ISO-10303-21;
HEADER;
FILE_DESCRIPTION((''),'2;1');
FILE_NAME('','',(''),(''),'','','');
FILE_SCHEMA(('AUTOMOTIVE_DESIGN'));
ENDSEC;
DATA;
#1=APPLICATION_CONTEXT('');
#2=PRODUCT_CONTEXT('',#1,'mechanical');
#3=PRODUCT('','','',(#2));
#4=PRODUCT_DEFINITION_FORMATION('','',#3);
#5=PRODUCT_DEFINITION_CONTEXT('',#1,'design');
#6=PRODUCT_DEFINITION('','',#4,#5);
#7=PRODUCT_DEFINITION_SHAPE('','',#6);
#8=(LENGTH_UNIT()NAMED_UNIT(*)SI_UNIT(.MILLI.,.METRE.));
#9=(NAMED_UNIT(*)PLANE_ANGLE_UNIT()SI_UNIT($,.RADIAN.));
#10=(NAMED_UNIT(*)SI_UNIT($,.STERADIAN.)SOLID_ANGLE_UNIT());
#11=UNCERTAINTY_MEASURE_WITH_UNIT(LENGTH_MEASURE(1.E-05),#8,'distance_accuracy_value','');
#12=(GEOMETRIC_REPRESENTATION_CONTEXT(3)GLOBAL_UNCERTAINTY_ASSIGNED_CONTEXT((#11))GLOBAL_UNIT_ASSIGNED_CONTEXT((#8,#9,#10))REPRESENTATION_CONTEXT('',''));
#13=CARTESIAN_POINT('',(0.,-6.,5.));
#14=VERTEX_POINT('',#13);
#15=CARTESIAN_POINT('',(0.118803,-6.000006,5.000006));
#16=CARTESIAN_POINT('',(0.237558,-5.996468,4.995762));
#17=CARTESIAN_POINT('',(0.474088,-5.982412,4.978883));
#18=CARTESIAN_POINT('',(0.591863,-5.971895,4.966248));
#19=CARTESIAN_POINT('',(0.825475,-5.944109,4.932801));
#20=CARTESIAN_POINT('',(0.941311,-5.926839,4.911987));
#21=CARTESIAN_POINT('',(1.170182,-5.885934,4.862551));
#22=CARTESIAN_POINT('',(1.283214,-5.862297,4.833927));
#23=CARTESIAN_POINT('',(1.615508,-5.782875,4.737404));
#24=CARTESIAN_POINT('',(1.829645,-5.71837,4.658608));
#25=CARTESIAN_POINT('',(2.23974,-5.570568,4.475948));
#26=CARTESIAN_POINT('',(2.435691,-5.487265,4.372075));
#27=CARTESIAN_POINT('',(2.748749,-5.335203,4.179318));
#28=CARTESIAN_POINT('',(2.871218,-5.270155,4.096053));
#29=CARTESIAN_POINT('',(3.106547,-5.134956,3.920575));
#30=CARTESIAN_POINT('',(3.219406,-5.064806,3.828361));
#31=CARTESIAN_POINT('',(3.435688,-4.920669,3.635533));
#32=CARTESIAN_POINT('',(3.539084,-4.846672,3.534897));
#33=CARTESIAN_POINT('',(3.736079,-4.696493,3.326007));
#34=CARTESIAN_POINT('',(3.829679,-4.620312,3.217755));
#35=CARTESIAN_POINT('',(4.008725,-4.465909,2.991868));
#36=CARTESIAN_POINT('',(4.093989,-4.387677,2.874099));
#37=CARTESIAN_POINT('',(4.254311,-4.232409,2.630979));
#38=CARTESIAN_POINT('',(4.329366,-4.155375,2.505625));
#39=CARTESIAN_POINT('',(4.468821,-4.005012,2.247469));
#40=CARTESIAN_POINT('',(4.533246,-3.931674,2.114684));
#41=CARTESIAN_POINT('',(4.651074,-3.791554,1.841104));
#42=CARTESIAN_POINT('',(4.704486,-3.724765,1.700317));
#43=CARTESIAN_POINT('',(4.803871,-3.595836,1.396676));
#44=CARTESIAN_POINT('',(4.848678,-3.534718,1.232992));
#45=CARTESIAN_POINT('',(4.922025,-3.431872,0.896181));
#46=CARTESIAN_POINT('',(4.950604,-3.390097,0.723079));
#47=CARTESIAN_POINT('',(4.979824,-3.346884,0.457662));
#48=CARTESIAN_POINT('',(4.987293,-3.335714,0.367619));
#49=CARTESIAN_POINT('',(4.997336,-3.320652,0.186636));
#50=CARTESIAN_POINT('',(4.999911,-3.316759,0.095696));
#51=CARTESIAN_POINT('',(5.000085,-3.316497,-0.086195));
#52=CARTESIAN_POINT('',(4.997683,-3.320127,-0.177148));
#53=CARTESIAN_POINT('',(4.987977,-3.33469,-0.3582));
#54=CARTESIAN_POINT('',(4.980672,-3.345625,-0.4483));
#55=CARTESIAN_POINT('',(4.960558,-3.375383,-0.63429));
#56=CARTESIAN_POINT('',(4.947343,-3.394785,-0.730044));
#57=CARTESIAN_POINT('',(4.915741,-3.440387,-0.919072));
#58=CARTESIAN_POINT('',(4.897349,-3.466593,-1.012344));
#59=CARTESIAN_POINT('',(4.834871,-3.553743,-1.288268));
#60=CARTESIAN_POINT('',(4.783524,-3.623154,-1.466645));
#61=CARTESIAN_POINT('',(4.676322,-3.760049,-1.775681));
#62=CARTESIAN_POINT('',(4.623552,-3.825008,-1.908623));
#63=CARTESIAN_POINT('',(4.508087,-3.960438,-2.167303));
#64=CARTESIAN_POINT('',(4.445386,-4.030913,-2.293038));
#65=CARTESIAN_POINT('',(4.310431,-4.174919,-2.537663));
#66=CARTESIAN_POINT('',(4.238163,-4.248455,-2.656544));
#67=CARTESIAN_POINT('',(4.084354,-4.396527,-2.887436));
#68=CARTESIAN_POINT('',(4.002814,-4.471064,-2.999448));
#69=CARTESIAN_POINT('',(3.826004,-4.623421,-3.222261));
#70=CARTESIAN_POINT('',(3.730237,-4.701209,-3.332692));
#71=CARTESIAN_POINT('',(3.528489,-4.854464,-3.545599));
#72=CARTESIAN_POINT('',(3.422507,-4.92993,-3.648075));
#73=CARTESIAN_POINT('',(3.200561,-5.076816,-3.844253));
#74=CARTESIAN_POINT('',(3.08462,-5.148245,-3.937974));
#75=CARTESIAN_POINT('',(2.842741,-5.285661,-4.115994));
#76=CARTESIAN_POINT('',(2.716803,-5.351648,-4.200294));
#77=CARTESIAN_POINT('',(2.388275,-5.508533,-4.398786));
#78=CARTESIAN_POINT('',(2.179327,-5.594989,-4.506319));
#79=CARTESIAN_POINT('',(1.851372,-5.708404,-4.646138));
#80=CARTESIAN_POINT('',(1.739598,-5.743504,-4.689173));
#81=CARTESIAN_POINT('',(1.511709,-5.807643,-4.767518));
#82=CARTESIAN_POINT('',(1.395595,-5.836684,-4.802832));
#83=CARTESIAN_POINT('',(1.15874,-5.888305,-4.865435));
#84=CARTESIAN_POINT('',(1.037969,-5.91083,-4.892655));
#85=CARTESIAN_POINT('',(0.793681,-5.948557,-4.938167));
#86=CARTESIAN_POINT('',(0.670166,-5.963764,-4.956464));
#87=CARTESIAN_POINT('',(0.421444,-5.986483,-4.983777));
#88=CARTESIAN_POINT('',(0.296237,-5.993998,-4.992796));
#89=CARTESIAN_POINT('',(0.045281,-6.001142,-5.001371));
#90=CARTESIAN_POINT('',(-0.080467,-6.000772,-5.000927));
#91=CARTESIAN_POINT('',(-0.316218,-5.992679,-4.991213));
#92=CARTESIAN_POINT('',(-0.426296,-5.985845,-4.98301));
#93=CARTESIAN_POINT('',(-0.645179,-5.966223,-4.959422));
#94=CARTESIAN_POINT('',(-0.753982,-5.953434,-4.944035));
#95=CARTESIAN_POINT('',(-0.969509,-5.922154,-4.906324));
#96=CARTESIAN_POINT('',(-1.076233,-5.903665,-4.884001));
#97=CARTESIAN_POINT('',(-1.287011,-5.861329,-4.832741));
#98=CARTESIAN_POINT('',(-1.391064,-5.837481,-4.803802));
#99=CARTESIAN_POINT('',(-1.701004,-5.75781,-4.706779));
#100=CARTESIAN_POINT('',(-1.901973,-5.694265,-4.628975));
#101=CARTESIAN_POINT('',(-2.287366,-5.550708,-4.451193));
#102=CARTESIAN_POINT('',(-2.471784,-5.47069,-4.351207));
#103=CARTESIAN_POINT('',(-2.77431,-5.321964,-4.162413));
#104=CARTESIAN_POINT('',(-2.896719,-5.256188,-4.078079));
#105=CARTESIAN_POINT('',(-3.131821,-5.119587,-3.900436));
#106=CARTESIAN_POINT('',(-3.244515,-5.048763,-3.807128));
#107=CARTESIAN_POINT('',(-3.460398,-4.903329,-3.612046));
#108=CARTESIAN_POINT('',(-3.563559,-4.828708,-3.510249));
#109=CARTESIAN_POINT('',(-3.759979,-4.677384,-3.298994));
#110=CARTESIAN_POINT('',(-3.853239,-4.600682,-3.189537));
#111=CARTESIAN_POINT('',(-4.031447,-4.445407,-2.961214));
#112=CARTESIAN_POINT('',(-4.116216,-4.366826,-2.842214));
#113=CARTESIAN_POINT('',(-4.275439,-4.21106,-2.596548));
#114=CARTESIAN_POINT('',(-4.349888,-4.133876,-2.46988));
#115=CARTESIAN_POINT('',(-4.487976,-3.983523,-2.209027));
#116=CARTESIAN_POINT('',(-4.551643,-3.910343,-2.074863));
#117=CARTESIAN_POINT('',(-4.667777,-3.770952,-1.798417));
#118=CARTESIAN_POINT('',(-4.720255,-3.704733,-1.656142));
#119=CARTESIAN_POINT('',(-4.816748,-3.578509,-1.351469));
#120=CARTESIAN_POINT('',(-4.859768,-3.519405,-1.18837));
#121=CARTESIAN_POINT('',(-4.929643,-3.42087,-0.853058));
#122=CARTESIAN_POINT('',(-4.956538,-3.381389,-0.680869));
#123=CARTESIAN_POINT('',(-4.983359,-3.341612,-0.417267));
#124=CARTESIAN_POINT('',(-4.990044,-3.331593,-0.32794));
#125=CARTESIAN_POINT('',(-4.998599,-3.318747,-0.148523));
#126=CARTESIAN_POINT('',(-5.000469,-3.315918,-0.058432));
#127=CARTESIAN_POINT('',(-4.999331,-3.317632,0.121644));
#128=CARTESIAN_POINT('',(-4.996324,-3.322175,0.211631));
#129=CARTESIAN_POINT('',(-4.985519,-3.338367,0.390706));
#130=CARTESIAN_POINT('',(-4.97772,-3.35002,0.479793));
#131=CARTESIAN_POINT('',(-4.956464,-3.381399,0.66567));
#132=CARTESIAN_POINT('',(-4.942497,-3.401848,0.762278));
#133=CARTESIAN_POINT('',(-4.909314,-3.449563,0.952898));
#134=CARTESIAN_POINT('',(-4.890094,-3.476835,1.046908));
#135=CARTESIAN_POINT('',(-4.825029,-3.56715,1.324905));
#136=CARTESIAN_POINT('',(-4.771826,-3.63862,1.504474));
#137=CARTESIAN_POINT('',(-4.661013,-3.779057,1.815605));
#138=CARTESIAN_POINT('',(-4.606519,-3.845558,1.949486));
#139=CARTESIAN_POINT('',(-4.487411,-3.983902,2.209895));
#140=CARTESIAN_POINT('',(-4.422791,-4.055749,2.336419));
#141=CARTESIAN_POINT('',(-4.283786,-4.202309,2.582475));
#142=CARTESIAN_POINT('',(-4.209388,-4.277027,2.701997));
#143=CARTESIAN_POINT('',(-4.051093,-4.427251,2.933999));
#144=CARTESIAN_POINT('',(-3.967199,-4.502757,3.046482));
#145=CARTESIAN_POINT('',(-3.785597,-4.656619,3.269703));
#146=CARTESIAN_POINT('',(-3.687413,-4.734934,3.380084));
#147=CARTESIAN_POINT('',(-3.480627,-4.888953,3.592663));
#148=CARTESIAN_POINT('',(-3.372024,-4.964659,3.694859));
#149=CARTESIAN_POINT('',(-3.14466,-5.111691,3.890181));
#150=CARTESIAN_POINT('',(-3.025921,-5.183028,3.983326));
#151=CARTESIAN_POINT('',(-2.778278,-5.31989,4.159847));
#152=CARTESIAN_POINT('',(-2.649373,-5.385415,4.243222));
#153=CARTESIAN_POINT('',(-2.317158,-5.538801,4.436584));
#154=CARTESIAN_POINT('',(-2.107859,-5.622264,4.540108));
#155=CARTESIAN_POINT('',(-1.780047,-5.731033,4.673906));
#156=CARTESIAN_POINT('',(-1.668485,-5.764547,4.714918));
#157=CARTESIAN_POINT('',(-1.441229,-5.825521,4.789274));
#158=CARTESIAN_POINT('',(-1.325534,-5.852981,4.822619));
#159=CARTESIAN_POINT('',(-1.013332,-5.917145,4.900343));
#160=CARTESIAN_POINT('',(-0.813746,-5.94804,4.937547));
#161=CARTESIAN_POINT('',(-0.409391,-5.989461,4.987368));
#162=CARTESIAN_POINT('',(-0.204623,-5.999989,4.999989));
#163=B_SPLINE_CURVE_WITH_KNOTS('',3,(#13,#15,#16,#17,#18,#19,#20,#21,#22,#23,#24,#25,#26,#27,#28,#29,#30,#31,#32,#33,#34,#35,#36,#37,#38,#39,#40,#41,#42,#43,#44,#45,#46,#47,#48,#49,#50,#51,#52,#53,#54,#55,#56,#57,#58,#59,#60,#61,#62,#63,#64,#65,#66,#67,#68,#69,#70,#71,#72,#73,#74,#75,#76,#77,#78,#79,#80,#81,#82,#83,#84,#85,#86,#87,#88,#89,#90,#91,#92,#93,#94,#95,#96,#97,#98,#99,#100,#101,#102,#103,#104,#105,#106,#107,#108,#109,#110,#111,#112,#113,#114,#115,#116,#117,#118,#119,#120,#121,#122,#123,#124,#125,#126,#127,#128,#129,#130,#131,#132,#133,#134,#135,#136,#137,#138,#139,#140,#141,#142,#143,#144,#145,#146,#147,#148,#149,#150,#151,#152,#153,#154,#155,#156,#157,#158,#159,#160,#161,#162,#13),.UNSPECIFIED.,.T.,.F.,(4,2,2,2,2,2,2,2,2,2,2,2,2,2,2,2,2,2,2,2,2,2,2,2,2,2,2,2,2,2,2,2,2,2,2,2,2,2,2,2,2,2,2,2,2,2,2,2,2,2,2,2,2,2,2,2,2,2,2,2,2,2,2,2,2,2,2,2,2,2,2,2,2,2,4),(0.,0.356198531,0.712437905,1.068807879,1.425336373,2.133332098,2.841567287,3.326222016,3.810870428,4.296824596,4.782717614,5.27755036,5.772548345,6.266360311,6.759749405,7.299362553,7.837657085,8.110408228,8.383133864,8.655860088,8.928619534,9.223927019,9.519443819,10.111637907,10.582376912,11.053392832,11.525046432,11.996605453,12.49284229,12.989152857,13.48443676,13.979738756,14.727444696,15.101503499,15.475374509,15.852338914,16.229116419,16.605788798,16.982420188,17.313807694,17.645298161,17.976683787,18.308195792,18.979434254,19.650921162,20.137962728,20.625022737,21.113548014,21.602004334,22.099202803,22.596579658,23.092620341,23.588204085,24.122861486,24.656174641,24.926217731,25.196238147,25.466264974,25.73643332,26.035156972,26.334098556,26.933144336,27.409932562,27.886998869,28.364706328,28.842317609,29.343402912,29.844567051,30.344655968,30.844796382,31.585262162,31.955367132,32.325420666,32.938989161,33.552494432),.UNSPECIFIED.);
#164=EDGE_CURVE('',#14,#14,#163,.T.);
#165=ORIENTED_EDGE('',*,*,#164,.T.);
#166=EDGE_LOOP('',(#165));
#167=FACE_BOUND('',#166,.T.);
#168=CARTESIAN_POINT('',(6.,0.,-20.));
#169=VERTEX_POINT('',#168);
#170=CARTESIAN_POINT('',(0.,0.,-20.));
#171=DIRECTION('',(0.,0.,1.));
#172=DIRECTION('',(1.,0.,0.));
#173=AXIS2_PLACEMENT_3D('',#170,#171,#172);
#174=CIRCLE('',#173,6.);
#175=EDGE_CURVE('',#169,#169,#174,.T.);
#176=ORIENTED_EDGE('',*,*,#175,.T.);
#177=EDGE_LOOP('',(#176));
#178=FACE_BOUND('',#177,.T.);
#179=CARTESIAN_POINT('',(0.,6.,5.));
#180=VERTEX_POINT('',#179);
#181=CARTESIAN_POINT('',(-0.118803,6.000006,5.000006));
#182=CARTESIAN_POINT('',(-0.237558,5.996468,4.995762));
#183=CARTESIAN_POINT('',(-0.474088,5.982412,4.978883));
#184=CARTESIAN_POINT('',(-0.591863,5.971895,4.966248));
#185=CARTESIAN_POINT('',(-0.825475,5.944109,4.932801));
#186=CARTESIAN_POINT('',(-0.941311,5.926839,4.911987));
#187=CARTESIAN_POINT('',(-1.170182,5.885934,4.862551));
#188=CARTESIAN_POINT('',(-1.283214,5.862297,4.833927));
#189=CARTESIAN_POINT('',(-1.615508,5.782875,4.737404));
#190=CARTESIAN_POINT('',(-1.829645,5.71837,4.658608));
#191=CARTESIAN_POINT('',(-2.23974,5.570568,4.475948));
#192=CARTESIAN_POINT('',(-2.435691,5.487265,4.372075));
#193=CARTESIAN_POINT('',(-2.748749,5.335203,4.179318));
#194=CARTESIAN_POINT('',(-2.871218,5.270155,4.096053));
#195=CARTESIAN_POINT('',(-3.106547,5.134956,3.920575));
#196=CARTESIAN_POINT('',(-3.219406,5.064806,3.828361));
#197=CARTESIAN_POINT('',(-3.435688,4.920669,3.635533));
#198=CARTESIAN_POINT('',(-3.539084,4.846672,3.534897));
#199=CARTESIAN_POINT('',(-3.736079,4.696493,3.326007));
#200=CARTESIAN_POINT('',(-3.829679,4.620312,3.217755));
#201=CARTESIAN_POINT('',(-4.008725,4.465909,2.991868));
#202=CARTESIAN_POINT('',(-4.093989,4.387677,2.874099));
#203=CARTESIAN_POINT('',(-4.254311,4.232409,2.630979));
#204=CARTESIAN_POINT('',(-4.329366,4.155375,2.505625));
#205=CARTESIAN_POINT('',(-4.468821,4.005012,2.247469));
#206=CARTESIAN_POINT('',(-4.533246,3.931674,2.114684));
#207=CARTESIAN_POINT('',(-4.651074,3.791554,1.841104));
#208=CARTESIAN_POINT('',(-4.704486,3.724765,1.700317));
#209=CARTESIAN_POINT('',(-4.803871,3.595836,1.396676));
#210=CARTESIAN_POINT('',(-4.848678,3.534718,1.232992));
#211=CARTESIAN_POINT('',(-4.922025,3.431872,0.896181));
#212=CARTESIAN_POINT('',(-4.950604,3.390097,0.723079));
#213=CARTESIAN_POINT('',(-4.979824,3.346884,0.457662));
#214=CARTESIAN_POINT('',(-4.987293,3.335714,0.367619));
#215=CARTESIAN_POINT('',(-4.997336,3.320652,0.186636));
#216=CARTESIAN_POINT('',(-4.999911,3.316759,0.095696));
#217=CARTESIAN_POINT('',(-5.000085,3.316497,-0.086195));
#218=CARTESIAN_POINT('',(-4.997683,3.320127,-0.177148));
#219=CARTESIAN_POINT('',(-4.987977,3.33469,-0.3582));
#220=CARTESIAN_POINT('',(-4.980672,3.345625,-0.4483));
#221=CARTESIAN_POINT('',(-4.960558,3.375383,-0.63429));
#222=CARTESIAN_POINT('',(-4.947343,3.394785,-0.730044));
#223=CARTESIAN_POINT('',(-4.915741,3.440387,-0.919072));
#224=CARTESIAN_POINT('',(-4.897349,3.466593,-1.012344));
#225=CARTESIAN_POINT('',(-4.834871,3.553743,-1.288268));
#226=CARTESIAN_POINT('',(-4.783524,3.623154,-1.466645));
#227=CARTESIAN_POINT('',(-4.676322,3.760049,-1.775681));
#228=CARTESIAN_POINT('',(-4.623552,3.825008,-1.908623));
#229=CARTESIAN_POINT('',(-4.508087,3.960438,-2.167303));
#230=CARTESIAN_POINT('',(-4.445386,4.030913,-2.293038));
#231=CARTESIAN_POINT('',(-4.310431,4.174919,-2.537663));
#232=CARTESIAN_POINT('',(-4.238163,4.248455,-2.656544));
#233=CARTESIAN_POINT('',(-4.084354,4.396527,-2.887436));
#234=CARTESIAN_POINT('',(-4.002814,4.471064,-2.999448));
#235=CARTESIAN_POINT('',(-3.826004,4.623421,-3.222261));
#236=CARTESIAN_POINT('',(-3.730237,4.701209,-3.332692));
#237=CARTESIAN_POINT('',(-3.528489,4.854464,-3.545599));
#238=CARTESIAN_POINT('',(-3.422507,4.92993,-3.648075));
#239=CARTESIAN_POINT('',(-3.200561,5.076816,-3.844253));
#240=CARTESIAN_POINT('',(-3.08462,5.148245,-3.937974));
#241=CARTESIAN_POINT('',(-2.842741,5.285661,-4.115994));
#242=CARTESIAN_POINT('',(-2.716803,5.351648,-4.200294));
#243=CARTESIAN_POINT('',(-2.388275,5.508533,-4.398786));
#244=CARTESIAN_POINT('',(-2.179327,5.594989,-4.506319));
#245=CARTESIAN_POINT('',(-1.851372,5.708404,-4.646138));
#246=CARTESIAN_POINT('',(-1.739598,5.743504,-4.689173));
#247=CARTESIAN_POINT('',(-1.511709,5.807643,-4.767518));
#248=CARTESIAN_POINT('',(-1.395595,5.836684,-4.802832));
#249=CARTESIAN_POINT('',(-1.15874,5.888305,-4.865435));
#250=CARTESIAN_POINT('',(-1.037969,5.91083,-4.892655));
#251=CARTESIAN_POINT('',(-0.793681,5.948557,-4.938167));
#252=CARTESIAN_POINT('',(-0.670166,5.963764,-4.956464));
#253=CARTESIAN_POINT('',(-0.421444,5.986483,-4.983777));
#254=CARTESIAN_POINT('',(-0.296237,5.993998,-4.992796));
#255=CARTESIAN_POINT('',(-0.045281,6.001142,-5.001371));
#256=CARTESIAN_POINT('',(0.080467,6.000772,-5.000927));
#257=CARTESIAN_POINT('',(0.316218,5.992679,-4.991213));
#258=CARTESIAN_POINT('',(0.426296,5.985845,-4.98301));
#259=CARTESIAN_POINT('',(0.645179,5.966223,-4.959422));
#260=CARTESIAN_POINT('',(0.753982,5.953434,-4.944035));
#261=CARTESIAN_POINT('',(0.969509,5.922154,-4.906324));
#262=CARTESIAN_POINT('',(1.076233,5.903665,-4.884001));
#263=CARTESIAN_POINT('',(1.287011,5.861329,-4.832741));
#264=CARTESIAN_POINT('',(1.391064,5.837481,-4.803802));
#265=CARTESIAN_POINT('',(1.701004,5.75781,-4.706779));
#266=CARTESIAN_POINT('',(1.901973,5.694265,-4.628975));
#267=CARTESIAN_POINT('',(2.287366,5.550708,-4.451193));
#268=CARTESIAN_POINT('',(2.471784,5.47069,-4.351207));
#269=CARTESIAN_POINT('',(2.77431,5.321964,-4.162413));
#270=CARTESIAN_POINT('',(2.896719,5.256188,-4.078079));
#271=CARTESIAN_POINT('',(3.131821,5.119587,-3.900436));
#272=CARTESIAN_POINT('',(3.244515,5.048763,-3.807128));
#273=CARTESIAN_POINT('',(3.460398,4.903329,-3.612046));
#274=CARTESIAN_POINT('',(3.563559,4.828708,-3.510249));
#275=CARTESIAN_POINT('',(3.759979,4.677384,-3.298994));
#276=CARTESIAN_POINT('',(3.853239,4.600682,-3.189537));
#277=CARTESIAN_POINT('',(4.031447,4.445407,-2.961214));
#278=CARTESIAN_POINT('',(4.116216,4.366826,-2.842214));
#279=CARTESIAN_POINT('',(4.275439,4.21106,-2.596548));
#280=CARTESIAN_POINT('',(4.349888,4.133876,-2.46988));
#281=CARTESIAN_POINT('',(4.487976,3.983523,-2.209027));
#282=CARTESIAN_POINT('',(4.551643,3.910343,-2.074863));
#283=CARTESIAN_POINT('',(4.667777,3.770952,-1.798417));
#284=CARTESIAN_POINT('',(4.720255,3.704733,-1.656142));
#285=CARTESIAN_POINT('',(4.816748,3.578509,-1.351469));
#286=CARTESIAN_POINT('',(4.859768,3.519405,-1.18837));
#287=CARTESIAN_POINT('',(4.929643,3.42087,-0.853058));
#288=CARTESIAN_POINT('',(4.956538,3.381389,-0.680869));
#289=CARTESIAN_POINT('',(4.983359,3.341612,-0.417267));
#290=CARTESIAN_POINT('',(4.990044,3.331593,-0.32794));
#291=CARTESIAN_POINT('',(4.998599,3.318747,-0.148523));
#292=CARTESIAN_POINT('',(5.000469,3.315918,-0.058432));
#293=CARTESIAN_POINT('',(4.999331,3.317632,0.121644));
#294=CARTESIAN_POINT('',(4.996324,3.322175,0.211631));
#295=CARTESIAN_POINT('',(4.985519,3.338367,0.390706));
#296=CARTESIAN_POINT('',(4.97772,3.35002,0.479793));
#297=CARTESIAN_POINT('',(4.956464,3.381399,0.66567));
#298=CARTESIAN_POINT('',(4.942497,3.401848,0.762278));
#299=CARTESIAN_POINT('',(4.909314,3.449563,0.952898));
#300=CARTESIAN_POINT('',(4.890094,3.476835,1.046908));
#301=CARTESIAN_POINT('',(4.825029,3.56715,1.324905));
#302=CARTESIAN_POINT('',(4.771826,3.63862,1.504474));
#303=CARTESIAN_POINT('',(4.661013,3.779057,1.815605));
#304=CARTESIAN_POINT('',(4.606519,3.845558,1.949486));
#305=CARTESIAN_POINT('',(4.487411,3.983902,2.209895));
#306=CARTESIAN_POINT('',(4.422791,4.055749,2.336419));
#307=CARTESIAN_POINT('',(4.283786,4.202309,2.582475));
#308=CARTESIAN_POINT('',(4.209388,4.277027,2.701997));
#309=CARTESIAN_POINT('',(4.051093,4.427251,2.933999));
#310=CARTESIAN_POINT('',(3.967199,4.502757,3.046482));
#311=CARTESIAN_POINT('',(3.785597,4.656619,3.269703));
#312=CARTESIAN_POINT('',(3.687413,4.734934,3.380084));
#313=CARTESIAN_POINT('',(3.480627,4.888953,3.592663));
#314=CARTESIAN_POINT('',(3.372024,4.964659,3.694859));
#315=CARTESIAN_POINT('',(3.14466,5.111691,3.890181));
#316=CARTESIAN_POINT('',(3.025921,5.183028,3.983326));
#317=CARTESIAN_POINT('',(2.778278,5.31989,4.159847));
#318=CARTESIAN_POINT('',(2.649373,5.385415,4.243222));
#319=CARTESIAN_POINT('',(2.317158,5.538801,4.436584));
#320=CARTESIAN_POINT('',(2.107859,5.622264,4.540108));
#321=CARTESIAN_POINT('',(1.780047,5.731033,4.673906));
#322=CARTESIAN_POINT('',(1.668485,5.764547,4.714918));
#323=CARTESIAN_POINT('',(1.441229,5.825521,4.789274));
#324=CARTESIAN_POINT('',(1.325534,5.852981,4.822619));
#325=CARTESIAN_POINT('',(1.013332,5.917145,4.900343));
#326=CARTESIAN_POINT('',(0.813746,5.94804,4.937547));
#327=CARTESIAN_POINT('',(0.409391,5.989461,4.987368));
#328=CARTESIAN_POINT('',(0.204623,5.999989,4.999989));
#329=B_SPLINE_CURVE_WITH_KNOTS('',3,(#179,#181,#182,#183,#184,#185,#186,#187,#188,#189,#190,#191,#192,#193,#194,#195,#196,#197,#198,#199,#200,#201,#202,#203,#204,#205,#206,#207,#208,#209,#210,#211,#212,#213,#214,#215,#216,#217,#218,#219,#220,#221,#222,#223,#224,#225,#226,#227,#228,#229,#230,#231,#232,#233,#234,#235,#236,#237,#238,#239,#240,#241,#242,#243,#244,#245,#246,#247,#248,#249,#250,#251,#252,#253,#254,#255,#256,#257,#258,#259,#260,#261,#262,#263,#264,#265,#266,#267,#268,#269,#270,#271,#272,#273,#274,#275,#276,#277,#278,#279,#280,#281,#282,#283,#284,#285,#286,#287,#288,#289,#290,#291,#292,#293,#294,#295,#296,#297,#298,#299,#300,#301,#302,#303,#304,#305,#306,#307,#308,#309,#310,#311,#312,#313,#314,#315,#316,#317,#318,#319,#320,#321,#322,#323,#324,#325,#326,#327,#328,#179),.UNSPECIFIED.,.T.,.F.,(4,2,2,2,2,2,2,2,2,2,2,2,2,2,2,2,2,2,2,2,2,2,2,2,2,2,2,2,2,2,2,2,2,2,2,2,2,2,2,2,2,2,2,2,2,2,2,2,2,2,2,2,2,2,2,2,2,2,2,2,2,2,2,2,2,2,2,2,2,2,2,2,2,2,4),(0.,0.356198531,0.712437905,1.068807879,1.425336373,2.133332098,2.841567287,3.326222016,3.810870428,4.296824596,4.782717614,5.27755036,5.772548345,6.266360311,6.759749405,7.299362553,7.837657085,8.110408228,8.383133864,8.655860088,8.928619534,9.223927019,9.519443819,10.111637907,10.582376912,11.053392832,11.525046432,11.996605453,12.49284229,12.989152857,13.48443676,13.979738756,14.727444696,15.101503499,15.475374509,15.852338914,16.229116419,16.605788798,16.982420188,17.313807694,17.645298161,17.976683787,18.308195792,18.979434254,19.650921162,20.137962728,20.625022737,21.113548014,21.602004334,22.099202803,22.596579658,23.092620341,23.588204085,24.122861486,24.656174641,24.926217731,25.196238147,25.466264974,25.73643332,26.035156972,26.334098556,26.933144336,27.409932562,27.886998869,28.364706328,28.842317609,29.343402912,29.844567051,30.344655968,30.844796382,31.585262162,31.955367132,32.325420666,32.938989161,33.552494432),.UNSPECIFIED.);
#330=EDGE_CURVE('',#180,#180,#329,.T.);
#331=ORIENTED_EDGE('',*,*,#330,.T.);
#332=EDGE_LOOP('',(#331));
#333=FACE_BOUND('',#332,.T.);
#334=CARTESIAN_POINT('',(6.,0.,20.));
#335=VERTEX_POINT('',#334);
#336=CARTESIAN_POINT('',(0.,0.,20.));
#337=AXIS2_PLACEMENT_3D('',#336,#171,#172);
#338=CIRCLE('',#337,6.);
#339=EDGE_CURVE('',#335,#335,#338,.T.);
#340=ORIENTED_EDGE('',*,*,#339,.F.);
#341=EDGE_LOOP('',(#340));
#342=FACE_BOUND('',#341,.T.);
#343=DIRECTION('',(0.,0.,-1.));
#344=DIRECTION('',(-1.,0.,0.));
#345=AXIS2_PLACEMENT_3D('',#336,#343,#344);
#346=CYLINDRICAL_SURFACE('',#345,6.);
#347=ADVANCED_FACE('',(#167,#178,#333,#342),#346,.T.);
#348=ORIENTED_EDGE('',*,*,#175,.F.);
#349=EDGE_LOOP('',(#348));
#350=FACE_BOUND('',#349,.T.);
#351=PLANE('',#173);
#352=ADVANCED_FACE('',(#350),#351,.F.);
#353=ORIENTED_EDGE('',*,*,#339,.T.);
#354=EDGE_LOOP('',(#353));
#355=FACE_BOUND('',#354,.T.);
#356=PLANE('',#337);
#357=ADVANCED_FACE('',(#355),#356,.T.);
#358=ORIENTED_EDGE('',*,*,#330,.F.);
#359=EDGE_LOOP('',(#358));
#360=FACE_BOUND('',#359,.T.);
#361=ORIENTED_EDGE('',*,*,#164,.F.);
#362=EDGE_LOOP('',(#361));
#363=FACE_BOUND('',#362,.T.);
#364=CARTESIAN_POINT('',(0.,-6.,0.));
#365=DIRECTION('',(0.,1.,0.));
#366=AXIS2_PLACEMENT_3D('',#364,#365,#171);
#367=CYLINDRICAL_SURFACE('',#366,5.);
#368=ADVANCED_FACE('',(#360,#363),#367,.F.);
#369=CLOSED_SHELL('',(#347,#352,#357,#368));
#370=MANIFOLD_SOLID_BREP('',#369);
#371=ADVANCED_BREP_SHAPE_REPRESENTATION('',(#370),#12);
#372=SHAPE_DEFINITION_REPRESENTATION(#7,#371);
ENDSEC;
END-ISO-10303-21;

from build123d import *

# Parameters (mm, degrees)
SKETCH_1_R          = 6
EXTRUDE_1_DEPTH     = 20
SKETCH_3_R          = 5
CUT_EXTRUDE_1_DEPTH = 13


with BuildPart() as part:
    # 草图1 → 凸台-拉伸1 (new body, symmetric)
    with BuildSketch(Plane.XY):
        Circle(SKETCH_1_R)
    extrude(amount=EXTRUDE_1_DEPTH, both=True)

    # 草图3 → 切除-拉伸1 (cut, through all)
    with BuildSketch(Plane(origin=(0, 6, 0), x_dir=(1, 0, 0), z_dir=(0, 1, 0))):
        Circle(SKETCH_3_R)
    extrude(amount=-CUT_EXTRUDE_1_DEPTH, mode=Mode.SUBTRACT)


solid = part.part
